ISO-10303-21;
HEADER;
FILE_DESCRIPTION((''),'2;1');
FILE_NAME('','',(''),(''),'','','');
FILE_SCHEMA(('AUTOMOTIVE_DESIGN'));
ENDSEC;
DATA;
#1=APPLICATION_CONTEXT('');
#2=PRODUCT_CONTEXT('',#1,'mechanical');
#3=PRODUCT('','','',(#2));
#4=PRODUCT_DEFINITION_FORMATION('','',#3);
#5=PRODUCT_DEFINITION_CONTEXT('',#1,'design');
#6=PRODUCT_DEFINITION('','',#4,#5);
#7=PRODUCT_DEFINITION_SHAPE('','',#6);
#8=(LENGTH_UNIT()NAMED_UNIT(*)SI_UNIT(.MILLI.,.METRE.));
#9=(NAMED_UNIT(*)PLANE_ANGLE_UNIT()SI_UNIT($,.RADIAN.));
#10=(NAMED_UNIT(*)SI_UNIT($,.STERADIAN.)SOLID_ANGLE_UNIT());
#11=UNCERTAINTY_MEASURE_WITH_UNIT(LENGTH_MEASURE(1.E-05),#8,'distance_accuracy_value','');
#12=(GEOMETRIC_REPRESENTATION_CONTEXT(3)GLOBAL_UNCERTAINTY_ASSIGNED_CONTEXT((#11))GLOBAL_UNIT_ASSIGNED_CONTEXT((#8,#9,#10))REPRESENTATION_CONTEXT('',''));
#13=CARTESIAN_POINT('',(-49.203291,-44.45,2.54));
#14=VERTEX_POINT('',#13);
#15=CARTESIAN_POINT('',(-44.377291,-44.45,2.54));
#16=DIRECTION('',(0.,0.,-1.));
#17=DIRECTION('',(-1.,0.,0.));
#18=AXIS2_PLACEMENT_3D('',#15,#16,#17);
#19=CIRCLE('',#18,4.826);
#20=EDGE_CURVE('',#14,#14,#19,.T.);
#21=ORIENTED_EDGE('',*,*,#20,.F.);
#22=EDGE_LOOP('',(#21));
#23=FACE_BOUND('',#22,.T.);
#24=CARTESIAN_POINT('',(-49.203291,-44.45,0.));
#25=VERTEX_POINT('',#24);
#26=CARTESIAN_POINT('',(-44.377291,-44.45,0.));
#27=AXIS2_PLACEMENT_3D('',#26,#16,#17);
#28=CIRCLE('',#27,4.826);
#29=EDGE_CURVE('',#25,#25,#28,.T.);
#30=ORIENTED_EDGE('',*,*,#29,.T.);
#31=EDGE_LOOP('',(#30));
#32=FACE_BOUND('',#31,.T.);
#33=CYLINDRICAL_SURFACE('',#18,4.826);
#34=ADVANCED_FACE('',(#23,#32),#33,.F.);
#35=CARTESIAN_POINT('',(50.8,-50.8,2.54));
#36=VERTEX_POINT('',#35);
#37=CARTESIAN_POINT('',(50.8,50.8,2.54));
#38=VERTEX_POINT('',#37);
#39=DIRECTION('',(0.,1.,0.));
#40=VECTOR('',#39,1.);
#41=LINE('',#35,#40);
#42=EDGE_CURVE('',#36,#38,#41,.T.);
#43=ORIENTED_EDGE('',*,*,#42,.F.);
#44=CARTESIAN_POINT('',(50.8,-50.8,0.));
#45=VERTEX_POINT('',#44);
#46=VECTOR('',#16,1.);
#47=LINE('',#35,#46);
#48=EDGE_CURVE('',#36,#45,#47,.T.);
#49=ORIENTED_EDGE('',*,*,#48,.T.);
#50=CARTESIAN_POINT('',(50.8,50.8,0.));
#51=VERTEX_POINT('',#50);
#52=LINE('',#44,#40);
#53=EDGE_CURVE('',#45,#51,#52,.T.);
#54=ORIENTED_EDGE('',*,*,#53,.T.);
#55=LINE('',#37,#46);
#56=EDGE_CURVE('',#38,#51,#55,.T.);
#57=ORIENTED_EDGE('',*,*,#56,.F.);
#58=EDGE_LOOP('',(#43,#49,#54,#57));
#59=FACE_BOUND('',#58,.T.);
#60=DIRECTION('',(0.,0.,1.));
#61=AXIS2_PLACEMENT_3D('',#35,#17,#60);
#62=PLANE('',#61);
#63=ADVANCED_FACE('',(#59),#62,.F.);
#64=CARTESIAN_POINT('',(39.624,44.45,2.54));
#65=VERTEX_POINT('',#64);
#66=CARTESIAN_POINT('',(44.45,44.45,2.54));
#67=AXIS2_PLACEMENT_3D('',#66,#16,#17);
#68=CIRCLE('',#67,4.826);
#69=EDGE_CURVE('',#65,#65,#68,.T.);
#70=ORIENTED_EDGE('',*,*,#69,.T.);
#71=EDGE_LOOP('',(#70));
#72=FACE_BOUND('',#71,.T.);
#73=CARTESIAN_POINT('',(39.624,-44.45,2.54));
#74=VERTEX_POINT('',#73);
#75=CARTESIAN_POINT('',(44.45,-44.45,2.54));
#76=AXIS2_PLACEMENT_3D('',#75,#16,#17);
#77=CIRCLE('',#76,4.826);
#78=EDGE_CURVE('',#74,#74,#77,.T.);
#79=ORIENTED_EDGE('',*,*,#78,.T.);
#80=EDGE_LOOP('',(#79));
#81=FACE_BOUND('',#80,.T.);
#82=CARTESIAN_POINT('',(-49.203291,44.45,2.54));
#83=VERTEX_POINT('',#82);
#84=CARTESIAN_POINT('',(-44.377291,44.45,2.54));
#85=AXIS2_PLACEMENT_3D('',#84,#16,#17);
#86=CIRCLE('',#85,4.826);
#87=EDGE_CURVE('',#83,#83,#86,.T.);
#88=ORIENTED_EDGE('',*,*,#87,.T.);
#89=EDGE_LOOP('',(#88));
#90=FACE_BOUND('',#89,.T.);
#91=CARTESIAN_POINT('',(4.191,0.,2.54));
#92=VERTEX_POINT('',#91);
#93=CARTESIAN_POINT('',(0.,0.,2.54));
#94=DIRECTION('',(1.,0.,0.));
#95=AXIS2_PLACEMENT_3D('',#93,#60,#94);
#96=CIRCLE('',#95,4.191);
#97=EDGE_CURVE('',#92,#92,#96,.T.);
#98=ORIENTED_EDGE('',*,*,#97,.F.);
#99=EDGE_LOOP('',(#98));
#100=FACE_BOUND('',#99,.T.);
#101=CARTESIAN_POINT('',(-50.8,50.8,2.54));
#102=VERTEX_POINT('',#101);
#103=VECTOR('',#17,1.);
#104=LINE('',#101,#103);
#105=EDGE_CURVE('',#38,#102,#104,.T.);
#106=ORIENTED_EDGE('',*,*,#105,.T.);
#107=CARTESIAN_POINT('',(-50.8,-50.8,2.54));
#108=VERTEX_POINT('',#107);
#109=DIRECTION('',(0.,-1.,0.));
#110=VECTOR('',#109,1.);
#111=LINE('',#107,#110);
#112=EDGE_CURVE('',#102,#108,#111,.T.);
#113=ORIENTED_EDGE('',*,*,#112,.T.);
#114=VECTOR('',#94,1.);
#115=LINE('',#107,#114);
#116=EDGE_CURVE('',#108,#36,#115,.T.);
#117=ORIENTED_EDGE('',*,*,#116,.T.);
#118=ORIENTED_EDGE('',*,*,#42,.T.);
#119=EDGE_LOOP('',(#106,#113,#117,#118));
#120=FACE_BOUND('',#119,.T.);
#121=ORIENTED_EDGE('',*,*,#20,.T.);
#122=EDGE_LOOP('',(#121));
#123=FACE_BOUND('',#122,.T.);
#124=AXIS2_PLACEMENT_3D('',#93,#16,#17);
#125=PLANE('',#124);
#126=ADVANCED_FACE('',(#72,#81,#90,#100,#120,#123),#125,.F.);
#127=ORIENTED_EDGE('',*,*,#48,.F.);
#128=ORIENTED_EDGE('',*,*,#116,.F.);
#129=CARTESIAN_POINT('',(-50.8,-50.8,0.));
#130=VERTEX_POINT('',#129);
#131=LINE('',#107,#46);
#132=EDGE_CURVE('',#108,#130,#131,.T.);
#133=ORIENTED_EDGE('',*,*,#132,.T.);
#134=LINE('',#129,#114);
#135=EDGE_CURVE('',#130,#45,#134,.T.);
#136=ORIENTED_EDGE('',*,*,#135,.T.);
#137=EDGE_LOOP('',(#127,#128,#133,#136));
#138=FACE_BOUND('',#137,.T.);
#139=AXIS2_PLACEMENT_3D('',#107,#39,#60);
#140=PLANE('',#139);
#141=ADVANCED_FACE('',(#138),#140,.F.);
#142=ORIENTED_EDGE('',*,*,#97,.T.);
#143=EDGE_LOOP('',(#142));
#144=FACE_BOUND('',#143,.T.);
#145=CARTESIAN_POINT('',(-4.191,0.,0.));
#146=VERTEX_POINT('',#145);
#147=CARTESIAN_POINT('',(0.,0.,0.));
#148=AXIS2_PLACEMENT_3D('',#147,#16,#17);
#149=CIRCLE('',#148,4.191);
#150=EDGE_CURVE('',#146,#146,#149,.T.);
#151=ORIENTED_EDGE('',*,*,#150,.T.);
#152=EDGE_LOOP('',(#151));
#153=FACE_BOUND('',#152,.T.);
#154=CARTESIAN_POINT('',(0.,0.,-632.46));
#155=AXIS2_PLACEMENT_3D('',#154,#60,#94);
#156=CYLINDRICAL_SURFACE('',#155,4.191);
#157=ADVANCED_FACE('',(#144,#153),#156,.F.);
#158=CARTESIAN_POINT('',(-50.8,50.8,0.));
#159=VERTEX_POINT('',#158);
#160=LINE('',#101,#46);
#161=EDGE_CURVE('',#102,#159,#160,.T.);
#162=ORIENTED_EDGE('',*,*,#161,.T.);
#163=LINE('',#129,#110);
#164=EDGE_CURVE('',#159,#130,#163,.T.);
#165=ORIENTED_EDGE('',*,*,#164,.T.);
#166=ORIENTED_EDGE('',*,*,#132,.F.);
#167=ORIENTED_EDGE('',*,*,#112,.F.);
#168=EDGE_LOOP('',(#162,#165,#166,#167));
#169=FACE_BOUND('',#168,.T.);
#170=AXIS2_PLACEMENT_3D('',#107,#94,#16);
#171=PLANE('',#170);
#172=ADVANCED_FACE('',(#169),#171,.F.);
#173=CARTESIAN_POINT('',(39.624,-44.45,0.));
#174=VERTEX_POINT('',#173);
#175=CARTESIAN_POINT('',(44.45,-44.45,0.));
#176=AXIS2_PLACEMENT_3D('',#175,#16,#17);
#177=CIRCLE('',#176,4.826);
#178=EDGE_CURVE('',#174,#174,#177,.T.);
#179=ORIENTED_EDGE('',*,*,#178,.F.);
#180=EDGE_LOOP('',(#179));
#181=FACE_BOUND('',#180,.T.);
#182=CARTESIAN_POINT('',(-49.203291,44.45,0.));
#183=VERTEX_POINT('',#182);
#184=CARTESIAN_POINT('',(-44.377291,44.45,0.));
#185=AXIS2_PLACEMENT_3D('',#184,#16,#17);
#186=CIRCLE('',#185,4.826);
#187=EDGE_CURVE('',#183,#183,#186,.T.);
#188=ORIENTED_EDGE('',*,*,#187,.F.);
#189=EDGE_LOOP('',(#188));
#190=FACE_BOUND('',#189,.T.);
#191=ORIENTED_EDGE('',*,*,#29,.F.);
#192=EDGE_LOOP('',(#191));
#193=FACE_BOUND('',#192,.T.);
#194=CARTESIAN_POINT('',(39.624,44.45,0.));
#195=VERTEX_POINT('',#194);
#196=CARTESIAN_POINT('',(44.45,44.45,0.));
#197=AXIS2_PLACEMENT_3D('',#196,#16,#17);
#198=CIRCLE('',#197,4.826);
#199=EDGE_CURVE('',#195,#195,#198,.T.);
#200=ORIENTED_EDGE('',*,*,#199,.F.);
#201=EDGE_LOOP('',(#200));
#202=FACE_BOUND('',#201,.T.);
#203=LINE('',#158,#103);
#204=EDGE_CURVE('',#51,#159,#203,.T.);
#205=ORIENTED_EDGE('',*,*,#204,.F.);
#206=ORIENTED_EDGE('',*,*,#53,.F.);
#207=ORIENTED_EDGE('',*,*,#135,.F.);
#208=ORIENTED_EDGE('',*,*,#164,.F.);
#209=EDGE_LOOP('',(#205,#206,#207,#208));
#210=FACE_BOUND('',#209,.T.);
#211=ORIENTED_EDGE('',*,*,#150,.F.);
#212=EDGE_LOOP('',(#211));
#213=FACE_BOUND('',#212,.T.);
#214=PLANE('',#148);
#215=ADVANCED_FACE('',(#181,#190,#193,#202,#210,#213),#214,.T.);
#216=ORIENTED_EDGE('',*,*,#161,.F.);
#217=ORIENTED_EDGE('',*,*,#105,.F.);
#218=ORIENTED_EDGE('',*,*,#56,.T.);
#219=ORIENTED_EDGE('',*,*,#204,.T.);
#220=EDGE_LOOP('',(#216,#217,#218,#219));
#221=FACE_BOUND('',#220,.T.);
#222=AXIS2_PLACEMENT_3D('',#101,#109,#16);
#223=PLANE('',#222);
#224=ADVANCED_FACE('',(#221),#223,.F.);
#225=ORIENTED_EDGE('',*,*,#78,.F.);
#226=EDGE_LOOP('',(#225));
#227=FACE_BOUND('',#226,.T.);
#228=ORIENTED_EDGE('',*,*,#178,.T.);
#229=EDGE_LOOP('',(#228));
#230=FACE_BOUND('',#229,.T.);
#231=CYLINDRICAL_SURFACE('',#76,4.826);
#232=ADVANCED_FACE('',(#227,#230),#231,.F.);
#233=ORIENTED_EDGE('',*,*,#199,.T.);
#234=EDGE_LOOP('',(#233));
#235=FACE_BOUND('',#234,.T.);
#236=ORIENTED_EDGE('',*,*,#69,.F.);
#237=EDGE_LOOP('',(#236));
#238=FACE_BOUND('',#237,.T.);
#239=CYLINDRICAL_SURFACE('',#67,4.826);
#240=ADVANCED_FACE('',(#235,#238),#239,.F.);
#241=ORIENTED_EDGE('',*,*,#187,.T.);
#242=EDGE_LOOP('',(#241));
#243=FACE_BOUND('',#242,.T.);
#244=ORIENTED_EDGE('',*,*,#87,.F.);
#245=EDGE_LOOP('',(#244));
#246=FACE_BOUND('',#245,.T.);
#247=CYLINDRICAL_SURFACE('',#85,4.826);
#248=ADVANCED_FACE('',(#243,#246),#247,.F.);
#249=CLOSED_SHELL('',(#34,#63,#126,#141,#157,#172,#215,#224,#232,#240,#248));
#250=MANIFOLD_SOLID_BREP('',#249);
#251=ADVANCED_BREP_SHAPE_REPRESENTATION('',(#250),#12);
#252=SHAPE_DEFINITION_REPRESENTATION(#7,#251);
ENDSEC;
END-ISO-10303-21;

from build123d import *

# Parameters (mm, degrees)
SKETCH1_W           = 101.6
SKETCH1_H           = 101.6
BOSS_EXTRUDE1_DEPTH = 2.54
SKETCH3_R           = 4.191
CUT_EXTRUDE1_DEPTH  = 635
SKETCH2_R           = 4.826
CUT_EXTRUDE6_DEPTH  = 2.54


with BuildPart() as part:
    # Sketch1 → Boss-Extrude1 (new body)
    with BuildSketch(Plane.XY):
        Rectangle(SKETCH1_W, SKETCH1_H)
    extrude(amount=BOSS_EXTRUDE1_DEPTH)

    # Sketch3 → Cut-Extrude1 (cut)
    with BuildSketch(Plane.XY.offset(2.54)):
        Circle(SKETCH3_R)
    extrude(amount=-CUT_EXTRUDE1_DEPTH, mode=Mode.SUBTRACT)

    # Sketch2 → Cut-Extrude6 (cut)
    with BuildSketch(Plane(origin=(0, 0, 0), x_dir=(-1, 0, 0), z_dir=(0, 0, -1))):
        with Locations((-44.45, 44.45)):
            Circle(SKETCH2_R)
        with Locations((44.377290972, 44.45)):
            Circle(SKETCH2_R)
        with Locations((44.377290972, -44.45)):
            Circle(SKETCH2_R)
        with Locations((-44.45, -44.45)):
            Circle(SKETCH2_R)
    extrude(amount=-CUT_EXTRUDE6_DEPTH, mode=Mode.SUBTRACT)


solid = part.part
